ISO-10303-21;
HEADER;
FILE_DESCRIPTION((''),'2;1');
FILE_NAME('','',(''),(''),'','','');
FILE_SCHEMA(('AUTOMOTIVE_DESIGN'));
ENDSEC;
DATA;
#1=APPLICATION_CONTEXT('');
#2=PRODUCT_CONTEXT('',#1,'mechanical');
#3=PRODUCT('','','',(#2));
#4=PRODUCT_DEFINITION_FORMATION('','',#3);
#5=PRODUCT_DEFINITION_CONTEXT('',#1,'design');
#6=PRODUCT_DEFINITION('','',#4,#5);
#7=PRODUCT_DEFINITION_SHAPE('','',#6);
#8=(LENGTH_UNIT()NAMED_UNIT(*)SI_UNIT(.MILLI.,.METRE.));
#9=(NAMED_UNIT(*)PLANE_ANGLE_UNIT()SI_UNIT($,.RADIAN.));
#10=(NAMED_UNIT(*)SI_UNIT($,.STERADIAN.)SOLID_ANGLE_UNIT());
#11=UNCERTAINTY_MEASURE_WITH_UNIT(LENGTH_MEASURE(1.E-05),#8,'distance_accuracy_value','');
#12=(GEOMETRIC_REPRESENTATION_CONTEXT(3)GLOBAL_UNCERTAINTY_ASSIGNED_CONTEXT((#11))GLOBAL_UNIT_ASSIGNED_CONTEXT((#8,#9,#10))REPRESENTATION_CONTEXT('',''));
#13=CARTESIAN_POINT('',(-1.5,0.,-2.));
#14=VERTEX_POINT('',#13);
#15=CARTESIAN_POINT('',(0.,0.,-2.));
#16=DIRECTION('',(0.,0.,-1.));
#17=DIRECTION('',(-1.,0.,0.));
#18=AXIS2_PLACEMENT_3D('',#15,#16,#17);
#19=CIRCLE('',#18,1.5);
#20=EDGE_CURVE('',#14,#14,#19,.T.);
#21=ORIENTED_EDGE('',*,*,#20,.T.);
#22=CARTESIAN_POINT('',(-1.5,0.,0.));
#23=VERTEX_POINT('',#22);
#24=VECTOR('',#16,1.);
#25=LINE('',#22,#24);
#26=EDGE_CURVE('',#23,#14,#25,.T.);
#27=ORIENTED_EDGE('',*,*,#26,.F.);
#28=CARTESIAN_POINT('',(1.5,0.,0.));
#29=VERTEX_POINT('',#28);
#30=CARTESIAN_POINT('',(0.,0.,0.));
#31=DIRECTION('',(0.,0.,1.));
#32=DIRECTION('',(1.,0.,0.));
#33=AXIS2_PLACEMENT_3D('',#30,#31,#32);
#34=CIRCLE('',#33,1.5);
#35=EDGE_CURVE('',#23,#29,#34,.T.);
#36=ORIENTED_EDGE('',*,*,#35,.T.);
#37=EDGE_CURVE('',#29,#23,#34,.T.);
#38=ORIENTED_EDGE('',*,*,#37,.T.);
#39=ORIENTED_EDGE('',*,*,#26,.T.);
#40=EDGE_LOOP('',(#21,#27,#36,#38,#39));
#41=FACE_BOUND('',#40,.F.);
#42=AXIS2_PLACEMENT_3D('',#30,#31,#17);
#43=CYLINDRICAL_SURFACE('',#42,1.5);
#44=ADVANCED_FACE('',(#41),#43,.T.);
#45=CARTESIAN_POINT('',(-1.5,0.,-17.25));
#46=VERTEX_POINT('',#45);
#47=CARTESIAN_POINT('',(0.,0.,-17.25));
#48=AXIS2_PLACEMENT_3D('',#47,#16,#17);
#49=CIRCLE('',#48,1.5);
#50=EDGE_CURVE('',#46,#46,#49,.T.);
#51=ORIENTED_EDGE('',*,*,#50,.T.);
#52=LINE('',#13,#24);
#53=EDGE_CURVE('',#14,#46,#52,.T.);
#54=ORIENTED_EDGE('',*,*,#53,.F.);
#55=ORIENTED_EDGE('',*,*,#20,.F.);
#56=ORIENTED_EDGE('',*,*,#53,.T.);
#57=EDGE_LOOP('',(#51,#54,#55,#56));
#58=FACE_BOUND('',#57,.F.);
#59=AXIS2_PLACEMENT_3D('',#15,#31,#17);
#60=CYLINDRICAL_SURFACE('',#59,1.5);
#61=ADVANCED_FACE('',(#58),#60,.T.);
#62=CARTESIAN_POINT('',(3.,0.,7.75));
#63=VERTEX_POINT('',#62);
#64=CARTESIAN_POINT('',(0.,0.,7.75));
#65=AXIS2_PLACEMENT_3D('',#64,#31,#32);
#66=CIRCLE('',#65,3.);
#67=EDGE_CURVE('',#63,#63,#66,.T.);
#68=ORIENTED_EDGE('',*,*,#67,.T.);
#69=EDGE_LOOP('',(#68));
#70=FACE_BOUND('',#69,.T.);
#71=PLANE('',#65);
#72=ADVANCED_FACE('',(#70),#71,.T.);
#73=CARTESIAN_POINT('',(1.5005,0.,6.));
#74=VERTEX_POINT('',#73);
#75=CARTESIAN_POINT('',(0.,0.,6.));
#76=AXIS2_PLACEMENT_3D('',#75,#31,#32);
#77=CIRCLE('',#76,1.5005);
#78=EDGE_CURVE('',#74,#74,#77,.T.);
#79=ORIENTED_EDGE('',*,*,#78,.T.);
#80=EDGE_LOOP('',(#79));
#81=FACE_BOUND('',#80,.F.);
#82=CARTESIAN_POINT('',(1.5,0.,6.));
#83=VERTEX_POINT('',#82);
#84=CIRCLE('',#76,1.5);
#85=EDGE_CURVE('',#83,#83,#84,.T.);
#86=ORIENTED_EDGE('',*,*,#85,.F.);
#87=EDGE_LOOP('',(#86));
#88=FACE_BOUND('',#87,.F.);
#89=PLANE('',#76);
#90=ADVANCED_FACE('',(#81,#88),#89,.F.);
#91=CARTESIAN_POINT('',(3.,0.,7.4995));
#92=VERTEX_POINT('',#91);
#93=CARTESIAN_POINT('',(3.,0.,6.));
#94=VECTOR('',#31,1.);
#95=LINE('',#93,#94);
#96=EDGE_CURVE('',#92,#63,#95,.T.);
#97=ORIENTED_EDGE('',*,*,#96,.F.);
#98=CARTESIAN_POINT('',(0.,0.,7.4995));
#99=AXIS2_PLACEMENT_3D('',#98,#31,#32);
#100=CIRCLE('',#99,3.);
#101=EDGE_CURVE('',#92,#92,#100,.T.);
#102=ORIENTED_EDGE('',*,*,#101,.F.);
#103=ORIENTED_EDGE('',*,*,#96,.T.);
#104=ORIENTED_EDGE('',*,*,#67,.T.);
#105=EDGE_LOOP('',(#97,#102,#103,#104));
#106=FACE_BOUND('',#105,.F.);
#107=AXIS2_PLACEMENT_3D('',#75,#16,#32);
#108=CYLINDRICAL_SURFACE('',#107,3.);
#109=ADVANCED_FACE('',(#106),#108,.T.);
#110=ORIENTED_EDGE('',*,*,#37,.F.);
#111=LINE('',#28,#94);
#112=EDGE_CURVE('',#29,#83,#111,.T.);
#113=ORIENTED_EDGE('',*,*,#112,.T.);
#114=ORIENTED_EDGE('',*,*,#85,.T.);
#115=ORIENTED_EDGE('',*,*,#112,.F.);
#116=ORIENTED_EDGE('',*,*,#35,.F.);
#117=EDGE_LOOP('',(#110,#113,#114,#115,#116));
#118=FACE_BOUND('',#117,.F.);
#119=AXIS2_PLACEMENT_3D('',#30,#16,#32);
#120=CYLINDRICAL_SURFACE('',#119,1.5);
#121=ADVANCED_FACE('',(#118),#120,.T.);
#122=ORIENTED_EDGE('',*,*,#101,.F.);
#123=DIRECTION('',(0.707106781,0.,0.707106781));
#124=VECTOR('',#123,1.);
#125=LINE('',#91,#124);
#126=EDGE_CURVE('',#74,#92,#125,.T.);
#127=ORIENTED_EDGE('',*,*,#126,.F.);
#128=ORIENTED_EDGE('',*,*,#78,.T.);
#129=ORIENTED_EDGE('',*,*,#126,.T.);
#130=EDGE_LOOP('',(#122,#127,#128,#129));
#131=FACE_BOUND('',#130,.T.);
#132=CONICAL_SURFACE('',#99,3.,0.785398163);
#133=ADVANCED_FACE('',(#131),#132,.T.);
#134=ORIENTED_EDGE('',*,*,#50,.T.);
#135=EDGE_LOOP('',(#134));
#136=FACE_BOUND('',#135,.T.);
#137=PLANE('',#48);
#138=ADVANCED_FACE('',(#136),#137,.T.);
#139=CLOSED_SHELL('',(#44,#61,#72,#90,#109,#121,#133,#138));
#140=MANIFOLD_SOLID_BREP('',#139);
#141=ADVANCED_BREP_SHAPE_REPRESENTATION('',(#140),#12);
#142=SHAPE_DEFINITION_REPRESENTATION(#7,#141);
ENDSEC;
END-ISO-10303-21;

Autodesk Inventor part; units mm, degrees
ref_plane "YZ Plane" through (0, 0, 0) normal (1, 0, 0) x (0, 1, 0)
ref_plane "XZ Plane" through (0, 0, 0) normal (0, 1, 0) x (-1, 0, 0)
ref_plane "XY Plane" through (0, 0, 0) normal (0, 0, 1) x (1, 0, 0)
sketch "スケッチ1" plane through (0, 0, 0) normal (0, 0, 1) x (1, 0, 0)
  circle A0 centre (0, 0) radius 1.5
  dimension "d0" = 3
extrude "押し出し1" add sketch "スケッチ1" along normal blind 6
sketch "スケッチ2" plane through (0, 0, 6) normal (0, 0, 1) x (1, 0, 0)
  circle A0 centre (0, 0) radius 1.5 projected
  circle A1 centre (0, 0) radius 3
  dimension "d3" = 6
extrude "押し出し2" add sketch "スケッチ2" along normal blind 1.75 contours A0 | A1
thread "ねじ1" size "M3x0.5" class "6g" standard "ANSI Metric M Profile" full length
chamfer "面取り1" distance 1.5 angle 45 1 edges at (-3, 0, 6)
sketch "スケッチ4" plane through (0, 0, 0) normal (0, 0, -1) x (-1, 0, 0)
  circle A0 centre (0, 0) radius 1.5 projected
extrude "押し出し4" add sketch "スケッチ4" along normal blind 4
sketch "スケッチ5" plane through (0, 0, -4) normal (0, 0, -1) x (-1, 0, 0)
  circle A0 centre (0, 0) radius 1.5 projected
extrude "押し出し5" cut sketch "スケッチ5" against normal blind 2
sketch "スケッチ6" plane through (0, 0, -2) normal (0, 0, -1) x (-1, 0, 0)
  circle A0 centre (0, 0) radius 1.5 projected
extrude "押し出し6" add sketch "スケッチ6" along normal blind 15.25
properties part number "SB　25mm皿ネジ" material "Steel, Mild"
